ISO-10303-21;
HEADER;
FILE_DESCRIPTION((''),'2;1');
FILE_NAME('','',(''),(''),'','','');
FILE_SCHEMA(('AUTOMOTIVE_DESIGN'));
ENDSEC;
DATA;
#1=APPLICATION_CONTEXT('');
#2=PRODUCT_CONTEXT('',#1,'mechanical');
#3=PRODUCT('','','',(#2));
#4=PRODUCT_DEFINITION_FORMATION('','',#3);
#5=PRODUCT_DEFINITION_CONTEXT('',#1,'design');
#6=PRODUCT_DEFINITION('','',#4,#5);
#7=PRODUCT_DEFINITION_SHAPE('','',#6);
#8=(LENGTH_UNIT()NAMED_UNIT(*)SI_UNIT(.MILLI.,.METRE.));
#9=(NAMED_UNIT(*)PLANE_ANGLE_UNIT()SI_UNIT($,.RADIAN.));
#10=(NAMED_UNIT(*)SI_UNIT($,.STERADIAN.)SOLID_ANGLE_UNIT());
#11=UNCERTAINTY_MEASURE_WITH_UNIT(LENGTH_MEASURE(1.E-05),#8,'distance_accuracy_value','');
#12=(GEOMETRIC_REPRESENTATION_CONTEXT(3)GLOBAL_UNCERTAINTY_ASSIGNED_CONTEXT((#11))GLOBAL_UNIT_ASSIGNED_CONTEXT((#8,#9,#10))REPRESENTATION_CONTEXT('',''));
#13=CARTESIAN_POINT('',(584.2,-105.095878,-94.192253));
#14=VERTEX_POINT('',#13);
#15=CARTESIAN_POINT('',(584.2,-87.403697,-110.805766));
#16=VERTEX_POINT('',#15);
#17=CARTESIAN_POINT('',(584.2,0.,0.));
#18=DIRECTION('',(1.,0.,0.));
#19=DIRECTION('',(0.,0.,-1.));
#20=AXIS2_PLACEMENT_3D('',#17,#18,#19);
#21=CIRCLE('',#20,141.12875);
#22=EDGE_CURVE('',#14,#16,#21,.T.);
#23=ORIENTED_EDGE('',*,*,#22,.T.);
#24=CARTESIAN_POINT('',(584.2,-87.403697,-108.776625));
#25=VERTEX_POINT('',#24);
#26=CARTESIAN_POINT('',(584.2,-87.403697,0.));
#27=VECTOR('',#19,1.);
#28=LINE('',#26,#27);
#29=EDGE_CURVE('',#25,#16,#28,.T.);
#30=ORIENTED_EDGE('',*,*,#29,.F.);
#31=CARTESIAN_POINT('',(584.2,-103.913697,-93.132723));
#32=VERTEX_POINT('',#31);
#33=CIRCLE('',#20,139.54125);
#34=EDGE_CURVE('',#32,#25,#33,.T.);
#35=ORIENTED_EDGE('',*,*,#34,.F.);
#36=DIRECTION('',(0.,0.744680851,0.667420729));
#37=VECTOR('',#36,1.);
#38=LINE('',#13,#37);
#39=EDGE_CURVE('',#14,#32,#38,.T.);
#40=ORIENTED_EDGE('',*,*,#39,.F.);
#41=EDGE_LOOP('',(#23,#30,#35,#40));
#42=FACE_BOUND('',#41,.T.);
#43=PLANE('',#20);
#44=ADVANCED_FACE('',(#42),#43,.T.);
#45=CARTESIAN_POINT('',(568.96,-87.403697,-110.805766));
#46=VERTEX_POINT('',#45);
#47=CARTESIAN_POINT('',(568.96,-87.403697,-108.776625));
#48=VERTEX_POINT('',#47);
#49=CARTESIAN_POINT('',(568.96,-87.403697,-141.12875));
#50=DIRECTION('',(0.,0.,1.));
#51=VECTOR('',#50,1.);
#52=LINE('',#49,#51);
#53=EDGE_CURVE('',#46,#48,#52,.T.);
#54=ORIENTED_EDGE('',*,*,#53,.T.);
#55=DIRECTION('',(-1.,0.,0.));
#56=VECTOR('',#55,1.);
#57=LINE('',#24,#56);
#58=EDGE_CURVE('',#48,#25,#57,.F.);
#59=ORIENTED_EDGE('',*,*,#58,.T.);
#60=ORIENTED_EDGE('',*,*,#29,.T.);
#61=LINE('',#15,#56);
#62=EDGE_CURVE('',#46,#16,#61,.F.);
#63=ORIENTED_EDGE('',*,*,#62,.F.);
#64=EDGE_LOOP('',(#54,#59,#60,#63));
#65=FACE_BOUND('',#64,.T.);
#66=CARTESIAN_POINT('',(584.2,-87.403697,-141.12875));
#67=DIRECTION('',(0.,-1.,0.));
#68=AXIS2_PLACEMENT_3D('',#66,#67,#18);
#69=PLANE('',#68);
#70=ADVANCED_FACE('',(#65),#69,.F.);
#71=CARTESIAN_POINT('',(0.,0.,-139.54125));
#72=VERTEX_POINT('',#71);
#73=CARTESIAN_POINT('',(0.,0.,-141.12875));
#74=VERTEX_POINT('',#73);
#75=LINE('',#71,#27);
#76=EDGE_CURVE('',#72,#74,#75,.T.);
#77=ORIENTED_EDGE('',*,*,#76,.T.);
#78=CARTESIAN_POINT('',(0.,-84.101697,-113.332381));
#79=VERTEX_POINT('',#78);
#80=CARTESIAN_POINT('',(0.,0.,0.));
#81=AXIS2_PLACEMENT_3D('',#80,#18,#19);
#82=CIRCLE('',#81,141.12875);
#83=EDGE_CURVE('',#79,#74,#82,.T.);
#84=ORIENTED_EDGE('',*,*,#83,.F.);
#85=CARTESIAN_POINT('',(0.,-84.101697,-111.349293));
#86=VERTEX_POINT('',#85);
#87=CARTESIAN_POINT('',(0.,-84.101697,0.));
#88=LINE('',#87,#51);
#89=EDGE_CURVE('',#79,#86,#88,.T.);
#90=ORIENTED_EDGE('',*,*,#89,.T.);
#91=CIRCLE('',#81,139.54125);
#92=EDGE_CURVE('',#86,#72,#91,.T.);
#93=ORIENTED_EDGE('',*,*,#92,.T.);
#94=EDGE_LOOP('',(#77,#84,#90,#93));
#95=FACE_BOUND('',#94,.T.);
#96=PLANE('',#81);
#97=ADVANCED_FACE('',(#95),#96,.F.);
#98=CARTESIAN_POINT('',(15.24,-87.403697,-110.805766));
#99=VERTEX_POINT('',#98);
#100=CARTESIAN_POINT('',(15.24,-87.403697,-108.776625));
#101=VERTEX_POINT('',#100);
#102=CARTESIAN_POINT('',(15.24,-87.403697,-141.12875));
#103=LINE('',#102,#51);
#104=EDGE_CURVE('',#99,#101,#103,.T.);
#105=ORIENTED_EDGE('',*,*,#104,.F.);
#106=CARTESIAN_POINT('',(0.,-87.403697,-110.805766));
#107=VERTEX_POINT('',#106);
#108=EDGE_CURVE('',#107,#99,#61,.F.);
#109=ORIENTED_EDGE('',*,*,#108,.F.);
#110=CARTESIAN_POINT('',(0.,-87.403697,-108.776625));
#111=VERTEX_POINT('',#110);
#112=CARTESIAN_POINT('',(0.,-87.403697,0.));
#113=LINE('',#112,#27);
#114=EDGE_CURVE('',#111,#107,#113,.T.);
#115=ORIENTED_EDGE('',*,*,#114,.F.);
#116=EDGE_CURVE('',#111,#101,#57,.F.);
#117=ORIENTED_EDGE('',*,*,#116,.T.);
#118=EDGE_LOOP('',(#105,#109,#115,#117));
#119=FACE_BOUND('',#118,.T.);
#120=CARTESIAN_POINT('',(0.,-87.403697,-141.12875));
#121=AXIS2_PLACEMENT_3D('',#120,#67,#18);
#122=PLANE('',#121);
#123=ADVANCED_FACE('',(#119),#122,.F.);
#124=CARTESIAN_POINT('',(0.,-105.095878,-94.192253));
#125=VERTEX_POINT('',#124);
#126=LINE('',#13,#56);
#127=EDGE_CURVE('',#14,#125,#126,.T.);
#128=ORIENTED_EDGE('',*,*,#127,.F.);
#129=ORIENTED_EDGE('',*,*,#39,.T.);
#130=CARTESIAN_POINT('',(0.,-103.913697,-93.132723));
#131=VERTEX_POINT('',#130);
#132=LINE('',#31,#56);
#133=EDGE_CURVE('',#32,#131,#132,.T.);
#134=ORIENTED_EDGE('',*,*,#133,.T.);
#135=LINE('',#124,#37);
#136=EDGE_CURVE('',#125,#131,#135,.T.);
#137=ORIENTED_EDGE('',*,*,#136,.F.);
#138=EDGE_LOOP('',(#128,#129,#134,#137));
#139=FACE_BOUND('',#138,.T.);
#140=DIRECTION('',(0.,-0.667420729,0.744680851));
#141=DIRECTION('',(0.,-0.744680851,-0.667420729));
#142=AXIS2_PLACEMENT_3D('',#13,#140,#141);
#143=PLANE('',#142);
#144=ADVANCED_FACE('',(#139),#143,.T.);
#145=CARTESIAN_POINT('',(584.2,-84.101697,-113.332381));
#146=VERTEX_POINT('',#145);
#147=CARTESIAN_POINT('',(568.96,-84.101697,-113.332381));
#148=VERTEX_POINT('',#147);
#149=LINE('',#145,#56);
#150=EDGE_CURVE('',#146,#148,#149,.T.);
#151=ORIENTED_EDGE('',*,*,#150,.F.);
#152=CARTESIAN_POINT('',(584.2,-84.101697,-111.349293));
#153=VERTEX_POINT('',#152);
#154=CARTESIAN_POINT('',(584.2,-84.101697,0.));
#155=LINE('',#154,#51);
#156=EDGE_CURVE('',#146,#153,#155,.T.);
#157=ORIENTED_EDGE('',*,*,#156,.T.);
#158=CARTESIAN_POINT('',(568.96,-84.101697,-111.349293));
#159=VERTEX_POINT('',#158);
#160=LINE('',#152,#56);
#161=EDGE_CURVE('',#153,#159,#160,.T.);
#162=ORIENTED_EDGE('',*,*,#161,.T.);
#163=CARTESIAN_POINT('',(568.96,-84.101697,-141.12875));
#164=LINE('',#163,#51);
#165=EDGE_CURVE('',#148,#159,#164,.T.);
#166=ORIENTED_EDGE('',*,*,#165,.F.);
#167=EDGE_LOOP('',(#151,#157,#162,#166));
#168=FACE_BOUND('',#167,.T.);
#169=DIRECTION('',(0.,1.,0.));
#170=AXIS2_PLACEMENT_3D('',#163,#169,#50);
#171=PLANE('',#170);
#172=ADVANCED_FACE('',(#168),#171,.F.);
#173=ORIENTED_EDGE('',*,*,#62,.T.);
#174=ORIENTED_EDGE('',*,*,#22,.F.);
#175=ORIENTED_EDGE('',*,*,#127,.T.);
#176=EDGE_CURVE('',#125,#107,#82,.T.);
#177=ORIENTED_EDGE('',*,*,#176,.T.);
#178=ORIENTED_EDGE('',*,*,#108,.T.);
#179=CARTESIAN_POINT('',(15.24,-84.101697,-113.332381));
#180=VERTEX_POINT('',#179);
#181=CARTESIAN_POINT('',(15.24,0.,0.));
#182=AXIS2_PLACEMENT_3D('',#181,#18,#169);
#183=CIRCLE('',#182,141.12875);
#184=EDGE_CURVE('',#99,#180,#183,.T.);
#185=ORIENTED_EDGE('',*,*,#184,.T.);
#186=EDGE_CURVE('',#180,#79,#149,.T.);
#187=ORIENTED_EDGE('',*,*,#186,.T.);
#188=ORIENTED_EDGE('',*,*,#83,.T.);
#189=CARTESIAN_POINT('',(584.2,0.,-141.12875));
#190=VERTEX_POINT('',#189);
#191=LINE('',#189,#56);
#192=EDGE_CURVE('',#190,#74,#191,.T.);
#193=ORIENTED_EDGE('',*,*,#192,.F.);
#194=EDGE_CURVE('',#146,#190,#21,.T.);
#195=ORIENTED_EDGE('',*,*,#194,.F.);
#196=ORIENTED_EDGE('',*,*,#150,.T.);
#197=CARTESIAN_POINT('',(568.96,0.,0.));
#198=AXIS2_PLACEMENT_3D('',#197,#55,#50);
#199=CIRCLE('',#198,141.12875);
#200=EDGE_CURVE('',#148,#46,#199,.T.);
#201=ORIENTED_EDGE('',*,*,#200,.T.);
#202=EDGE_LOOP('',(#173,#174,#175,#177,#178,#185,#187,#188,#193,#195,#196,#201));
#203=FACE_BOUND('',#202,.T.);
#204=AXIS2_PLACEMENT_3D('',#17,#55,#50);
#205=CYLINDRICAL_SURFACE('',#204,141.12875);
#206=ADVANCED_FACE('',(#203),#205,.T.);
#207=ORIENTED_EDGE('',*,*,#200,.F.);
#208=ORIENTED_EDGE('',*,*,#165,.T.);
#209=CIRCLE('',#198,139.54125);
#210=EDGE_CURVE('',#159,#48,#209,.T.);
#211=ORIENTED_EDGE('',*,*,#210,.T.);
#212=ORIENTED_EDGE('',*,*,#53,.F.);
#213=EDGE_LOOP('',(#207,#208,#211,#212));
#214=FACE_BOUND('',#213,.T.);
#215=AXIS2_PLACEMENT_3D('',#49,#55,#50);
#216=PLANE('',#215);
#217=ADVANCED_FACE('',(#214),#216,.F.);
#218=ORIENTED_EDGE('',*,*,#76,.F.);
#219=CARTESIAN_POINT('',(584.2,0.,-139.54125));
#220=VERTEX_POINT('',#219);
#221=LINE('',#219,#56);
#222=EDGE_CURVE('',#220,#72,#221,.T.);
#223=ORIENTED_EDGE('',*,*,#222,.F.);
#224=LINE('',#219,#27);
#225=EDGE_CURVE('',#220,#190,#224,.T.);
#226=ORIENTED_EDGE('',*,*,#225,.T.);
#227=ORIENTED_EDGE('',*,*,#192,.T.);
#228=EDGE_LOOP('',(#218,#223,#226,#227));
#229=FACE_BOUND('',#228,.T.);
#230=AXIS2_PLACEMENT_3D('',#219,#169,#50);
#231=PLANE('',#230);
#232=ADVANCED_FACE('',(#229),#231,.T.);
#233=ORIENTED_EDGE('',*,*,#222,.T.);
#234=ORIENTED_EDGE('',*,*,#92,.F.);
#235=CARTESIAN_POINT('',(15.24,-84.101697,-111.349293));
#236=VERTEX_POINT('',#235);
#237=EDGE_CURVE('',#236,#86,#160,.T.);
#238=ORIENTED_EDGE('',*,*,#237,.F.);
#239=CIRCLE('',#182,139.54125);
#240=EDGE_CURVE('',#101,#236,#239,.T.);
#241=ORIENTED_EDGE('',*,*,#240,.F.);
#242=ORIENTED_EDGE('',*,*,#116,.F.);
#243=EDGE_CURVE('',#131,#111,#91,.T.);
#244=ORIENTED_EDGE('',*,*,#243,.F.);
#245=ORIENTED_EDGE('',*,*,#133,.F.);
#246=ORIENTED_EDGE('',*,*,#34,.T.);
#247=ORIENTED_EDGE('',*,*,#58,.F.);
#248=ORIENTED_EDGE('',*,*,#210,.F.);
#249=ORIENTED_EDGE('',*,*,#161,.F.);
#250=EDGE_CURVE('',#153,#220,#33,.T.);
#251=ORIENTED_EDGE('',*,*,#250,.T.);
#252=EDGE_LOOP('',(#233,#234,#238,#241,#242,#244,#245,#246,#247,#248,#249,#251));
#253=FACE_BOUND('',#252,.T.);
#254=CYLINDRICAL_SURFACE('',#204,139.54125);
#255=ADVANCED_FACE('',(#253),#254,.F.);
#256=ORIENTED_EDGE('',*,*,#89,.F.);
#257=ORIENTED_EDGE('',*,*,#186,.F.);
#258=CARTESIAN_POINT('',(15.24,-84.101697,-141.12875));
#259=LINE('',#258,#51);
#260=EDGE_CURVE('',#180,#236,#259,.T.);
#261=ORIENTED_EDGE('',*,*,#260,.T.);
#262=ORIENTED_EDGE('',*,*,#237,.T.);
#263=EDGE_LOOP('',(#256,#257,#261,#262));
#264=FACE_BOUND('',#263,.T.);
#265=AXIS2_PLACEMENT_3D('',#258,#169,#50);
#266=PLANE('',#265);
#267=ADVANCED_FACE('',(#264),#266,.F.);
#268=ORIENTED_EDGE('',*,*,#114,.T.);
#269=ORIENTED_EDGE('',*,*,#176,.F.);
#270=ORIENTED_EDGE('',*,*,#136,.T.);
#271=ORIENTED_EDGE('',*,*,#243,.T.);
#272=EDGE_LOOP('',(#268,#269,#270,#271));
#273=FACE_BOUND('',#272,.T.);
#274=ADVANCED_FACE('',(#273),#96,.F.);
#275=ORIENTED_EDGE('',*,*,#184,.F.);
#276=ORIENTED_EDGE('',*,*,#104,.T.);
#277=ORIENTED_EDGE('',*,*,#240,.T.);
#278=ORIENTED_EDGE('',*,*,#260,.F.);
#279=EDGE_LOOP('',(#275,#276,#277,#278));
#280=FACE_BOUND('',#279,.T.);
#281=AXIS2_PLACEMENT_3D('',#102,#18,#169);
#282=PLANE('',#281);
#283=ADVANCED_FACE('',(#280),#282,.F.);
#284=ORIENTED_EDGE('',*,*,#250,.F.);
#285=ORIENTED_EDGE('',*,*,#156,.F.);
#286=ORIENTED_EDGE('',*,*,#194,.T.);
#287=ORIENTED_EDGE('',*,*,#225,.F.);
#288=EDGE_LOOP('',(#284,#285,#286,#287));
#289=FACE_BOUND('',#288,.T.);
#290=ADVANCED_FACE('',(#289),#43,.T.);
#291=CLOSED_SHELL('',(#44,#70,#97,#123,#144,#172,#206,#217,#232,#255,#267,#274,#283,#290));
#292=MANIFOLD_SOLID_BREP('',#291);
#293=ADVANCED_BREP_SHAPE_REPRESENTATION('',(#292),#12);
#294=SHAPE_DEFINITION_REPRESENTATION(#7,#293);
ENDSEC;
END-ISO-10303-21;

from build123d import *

# Parameters (mm, degrees)
EXTRUDE_THIN1_DEPTH = 584.2
SKETCH3_W           = 15.24
SKETCH3_H           = 3.302
CUT_EXTRUDE1_DEPTH  = 142.12875


with BuildPart() as part:
    # Sketch2 → Extrude-Thin1 (new body)
    with BuildSketch(Plane(origin=(0, 0, 0), x_dir=(0, 0, -1), z_dir=(1, 0, 0))):
        with BuildLine():
            ThreePointArc((94.192253267, -105.09587766), (128.861474149, -57.550365391), (141.12875, 0))
            Line((141.12875, 0), (139.54125, 0))
            ThreePointArc((139.54125, 0), (127.411963754, -56.903004701), (93.132722859, -103.913696809))
            Line((93.132722859, -103.913696809), (94.192253267, -105.09587766))
        make_face()
    extrude(amount=EXTRUDE_THIN1_DEPTH)

    # Sketch3 → Cut-Extrude1 (cut, through all)
    with BuildSketch(Plane.XY):
        with Locations((7.62, -85.752696809)):
            Rectangle(SKETCH3_W, SKETCH3_H)
        with Locations((576.58, -85.752696809)):
            Rectangle(SKETCH3_W, SKETCH3_H)
    extrude(amount=-CUT_EXTRUDE1_DEPTH, mode=Mode.SUBTRACT)


solid = part.part
